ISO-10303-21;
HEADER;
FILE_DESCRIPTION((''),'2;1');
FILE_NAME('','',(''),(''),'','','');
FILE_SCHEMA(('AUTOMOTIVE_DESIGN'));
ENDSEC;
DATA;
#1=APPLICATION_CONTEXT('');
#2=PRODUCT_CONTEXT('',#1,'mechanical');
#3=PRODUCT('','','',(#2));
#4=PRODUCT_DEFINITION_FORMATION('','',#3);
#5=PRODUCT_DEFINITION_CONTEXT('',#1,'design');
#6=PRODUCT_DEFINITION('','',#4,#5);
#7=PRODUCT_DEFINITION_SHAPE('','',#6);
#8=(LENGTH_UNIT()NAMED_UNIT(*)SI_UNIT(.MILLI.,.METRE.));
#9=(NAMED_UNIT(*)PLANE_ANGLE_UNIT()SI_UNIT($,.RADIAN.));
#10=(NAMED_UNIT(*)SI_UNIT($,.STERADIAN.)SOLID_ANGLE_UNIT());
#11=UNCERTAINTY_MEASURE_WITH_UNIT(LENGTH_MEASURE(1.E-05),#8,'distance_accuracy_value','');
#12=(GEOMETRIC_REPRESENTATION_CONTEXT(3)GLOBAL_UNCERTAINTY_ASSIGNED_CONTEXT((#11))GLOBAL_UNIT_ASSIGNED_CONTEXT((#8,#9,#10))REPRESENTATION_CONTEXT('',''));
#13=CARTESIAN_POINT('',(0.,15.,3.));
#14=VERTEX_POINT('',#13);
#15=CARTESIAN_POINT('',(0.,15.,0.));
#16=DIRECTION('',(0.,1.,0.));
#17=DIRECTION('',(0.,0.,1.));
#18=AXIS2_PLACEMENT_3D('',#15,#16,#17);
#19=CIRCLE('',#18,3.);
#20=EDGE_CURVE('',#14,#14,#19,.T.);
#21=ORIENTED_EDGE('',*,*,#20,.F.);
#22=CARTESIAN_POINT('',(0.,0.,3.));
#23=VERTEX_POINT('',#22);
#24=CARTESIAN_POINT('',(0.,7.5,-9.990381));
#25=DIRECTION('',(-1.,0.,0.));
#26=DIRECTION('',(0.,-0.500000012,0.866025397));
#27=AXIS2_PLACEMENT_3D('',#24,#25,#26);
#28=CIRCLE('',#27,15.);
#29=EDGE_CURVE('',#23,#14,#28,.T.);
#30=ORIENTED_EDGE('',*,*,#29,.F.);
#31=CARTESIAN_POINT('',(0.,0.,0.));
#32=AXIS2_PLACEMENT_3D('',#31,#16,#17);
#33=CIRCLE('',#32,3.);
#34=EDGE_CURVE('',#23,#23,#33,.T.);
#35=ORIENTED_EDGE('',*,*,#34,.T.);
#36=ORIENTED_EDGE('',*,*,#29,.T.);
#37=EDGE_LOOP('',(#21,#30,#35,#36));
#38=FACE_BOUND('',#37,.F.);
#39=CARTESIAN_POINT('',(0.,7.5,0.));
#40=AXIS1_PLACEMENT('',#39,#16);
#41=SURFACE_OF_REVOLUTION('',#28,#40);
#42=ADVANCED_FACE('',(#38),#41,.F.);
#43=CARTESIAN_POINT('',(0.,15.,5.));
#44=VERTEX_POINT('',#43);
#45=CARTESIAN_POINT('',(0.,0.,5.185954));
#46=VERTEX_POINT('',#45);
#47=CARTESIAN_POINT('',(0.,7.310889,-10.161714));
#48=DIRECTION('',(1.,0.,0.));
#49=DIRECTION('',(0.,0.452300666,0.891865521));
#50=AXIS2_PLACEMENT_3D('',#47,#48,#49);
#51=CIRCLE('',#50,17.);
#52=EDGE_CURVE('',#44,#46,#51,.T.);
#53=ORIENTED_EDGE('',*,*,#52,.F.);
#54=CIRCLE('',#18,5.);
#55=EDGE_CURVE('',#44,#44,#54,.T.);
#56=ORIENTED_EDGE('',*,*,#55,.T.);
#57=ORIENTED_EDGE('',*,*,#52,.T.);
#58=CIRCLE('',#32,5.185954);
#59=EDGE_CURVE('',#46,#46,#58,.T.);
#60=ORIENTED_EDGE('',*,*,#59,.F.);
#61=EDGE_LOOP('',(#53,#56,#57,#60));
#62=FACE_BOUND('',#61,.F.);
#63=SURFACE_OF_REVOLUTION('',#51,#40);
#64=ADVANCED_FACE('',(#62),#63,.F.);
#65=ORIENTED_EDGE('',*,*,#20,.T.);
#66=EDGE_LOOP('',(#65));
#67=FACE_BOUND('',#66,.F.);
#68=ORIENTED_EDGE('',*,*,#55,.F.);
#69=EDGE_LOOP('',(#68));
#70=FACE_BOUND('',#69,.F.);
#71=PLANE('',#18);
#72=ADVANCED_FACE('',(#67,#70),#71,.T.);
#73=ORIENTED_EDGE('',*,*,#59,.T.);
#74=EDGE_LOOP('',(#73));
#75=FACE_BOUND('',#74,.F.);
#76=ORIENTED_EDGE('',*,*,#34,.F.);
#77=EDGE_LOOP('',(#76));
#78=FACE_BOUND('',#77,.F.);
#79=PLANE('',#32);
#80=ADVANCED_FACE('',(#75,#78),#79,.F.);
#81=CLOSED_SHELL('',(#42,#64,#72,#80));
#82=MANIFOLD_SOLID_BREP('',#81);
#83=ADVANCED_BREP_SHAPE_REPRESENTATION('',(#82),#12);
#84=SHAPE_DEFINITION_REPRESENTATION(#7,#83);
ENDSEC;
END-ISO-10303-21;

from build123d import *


with BuildPart() as f1:
    # F0 (on Right) → F1 (revolve)
    with BuildSketch(Plane.YZ):
        with BuildLine():
            Line((0, 5.185954), (0, 3))
            ThreePointArc((0, 3), (7.5, 5.009619), (15, 3))
            Line((15, 3), (15, 5))
            ThreePointArc((15, 5), (7.52162, 6.83698), (0, 5.185954))
        make_face()
    revolve(axis=Axis((0, 7.5, 0), (0, 1, 0)))


solid = f1.part
